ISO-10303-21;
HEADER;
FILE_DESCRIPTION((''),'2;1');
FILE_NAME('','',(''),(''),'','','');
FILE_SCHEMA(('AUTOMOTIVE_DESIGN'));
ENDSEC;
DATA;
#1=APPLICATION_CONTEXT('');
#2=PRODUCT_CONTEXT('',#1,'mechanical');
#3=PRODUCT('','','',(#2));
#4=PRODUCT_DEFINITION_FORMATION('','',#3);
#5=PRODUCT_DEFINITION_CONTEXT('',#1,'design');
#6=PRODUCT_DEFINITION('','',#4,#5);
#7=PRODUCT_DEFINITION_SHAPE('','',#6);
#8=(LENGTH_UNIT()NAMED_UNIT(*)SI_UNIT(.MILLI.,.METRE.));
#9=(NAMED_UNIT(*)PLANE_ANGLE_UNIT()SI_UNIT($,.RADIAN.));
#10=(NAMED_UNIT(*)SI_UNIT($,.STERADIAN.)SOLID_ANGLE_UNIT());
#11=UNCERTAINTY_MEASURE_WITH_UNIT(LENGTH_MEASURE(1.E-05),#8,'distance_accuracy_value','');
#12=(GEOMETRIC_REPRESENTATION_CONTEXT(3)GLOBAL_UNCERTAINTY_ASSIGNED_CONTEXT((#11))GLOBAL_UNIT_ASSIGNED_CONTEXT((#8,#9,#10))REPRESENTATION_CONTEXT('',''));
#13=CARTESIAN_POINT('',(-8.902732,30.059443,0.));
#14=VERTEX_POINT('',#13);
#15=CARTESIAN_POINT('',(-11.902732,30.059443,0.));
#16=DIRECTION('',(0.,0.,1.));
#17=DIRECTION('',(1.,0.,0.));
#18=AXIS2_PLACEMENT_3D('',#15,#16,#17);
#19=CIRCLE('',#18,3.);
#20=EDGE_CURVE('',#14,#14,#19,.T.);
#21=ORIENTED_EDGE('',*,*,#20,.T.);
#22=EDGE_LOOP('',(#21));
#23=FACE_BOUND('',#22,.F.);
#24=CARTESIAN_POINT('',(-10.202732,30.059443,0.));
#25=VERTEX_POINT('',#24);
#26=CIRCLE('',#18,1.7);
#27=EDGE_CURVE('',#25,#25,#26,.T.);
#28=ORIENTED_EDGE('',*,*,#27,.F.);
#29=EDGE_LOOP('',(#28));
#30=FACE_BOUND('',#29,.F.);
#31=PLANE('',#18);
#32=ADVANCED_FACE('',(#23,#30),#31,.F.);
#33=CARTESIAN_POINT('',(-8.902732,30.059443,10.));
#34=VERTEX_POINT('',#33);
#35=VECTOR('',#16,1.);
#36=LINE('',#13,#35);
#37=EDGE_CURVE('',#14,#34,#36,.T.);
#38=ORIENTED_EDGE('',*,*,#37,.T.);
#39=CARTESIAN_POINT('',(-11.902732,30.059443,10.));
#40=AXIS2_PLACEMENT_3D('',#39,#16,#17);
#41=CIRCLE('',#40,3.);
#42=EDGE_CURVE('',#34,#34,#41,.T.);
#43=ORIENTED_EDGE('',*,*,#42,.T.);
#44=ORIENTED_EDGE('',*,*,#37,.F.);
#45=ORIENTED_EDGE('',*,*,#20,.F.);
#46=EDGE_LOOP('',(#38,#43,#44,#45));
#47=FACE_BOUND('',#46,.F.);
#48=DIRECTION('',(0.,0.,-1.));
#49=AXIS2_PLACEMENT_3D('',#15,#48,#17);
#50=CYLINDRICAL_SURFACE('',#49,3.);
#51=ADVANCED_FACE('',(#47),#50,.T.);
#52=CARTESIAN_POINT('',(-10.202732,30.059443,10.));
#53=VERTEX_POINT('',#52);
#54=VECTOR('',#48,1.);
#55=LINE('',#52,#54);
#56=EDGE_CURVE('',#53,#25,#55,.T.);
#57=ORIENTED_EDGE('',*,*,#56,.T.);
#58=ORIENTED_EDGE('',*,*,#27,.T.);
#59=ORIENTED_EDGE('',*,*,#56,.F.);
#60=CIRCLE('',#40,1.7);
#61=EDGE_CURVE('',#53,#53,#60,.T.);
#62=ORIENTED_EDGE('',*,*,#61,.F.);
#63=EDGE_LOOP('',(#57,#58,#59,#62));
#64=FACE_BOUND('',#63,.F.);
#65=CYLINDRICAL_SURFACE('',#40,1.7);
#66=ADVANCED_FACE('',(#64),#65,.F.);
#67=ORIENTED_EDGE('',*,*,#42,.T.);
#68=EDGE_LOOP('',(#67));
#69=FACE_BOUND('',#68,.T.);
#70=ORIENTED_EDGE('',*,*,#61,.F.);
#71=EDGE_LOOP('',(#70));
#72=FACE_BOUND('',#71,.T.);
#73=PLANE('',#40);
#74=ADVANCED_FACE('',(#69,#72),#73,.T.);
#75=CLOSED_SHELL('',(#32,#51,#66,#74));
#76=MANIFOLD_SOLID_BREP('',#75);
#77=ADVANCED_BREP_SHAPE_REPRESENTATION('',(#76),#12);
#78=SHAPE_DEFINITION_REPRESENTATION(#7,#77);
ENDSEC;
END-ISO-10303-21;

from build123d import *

# Parameters (mm, degrees)
SKETCH9_R           = 3
BOSS_EXTRUDE3_DEPTH = 10
SKETCH12_R          = 1.7
CUT_EXTRUDE2_DEPTH  = 11


with BuildPart() as part:
    # Sketch9 → Boss-Extrude3 (new body)
    with BuildSketch(Plane.XY):
        with Locations((-11.902732449, 30.059442964)):
            Circle(SKETCH9_R)
    extrude(amount=BOSS_EXTRUDE3_DEPTH)

    # Sketch12 → Cut-Extrude2 (cut, through all)
    with BuildSketch(Plane.XY.offset(10)):
        with Locations((-11.902732449, 30.059442964)):
            Circle(SKETCH12_R)
    extrude(amount=-CUT_EXTRUDE2_DEPTH, mode=Mode.SUBTRACT)


solid = part.part
